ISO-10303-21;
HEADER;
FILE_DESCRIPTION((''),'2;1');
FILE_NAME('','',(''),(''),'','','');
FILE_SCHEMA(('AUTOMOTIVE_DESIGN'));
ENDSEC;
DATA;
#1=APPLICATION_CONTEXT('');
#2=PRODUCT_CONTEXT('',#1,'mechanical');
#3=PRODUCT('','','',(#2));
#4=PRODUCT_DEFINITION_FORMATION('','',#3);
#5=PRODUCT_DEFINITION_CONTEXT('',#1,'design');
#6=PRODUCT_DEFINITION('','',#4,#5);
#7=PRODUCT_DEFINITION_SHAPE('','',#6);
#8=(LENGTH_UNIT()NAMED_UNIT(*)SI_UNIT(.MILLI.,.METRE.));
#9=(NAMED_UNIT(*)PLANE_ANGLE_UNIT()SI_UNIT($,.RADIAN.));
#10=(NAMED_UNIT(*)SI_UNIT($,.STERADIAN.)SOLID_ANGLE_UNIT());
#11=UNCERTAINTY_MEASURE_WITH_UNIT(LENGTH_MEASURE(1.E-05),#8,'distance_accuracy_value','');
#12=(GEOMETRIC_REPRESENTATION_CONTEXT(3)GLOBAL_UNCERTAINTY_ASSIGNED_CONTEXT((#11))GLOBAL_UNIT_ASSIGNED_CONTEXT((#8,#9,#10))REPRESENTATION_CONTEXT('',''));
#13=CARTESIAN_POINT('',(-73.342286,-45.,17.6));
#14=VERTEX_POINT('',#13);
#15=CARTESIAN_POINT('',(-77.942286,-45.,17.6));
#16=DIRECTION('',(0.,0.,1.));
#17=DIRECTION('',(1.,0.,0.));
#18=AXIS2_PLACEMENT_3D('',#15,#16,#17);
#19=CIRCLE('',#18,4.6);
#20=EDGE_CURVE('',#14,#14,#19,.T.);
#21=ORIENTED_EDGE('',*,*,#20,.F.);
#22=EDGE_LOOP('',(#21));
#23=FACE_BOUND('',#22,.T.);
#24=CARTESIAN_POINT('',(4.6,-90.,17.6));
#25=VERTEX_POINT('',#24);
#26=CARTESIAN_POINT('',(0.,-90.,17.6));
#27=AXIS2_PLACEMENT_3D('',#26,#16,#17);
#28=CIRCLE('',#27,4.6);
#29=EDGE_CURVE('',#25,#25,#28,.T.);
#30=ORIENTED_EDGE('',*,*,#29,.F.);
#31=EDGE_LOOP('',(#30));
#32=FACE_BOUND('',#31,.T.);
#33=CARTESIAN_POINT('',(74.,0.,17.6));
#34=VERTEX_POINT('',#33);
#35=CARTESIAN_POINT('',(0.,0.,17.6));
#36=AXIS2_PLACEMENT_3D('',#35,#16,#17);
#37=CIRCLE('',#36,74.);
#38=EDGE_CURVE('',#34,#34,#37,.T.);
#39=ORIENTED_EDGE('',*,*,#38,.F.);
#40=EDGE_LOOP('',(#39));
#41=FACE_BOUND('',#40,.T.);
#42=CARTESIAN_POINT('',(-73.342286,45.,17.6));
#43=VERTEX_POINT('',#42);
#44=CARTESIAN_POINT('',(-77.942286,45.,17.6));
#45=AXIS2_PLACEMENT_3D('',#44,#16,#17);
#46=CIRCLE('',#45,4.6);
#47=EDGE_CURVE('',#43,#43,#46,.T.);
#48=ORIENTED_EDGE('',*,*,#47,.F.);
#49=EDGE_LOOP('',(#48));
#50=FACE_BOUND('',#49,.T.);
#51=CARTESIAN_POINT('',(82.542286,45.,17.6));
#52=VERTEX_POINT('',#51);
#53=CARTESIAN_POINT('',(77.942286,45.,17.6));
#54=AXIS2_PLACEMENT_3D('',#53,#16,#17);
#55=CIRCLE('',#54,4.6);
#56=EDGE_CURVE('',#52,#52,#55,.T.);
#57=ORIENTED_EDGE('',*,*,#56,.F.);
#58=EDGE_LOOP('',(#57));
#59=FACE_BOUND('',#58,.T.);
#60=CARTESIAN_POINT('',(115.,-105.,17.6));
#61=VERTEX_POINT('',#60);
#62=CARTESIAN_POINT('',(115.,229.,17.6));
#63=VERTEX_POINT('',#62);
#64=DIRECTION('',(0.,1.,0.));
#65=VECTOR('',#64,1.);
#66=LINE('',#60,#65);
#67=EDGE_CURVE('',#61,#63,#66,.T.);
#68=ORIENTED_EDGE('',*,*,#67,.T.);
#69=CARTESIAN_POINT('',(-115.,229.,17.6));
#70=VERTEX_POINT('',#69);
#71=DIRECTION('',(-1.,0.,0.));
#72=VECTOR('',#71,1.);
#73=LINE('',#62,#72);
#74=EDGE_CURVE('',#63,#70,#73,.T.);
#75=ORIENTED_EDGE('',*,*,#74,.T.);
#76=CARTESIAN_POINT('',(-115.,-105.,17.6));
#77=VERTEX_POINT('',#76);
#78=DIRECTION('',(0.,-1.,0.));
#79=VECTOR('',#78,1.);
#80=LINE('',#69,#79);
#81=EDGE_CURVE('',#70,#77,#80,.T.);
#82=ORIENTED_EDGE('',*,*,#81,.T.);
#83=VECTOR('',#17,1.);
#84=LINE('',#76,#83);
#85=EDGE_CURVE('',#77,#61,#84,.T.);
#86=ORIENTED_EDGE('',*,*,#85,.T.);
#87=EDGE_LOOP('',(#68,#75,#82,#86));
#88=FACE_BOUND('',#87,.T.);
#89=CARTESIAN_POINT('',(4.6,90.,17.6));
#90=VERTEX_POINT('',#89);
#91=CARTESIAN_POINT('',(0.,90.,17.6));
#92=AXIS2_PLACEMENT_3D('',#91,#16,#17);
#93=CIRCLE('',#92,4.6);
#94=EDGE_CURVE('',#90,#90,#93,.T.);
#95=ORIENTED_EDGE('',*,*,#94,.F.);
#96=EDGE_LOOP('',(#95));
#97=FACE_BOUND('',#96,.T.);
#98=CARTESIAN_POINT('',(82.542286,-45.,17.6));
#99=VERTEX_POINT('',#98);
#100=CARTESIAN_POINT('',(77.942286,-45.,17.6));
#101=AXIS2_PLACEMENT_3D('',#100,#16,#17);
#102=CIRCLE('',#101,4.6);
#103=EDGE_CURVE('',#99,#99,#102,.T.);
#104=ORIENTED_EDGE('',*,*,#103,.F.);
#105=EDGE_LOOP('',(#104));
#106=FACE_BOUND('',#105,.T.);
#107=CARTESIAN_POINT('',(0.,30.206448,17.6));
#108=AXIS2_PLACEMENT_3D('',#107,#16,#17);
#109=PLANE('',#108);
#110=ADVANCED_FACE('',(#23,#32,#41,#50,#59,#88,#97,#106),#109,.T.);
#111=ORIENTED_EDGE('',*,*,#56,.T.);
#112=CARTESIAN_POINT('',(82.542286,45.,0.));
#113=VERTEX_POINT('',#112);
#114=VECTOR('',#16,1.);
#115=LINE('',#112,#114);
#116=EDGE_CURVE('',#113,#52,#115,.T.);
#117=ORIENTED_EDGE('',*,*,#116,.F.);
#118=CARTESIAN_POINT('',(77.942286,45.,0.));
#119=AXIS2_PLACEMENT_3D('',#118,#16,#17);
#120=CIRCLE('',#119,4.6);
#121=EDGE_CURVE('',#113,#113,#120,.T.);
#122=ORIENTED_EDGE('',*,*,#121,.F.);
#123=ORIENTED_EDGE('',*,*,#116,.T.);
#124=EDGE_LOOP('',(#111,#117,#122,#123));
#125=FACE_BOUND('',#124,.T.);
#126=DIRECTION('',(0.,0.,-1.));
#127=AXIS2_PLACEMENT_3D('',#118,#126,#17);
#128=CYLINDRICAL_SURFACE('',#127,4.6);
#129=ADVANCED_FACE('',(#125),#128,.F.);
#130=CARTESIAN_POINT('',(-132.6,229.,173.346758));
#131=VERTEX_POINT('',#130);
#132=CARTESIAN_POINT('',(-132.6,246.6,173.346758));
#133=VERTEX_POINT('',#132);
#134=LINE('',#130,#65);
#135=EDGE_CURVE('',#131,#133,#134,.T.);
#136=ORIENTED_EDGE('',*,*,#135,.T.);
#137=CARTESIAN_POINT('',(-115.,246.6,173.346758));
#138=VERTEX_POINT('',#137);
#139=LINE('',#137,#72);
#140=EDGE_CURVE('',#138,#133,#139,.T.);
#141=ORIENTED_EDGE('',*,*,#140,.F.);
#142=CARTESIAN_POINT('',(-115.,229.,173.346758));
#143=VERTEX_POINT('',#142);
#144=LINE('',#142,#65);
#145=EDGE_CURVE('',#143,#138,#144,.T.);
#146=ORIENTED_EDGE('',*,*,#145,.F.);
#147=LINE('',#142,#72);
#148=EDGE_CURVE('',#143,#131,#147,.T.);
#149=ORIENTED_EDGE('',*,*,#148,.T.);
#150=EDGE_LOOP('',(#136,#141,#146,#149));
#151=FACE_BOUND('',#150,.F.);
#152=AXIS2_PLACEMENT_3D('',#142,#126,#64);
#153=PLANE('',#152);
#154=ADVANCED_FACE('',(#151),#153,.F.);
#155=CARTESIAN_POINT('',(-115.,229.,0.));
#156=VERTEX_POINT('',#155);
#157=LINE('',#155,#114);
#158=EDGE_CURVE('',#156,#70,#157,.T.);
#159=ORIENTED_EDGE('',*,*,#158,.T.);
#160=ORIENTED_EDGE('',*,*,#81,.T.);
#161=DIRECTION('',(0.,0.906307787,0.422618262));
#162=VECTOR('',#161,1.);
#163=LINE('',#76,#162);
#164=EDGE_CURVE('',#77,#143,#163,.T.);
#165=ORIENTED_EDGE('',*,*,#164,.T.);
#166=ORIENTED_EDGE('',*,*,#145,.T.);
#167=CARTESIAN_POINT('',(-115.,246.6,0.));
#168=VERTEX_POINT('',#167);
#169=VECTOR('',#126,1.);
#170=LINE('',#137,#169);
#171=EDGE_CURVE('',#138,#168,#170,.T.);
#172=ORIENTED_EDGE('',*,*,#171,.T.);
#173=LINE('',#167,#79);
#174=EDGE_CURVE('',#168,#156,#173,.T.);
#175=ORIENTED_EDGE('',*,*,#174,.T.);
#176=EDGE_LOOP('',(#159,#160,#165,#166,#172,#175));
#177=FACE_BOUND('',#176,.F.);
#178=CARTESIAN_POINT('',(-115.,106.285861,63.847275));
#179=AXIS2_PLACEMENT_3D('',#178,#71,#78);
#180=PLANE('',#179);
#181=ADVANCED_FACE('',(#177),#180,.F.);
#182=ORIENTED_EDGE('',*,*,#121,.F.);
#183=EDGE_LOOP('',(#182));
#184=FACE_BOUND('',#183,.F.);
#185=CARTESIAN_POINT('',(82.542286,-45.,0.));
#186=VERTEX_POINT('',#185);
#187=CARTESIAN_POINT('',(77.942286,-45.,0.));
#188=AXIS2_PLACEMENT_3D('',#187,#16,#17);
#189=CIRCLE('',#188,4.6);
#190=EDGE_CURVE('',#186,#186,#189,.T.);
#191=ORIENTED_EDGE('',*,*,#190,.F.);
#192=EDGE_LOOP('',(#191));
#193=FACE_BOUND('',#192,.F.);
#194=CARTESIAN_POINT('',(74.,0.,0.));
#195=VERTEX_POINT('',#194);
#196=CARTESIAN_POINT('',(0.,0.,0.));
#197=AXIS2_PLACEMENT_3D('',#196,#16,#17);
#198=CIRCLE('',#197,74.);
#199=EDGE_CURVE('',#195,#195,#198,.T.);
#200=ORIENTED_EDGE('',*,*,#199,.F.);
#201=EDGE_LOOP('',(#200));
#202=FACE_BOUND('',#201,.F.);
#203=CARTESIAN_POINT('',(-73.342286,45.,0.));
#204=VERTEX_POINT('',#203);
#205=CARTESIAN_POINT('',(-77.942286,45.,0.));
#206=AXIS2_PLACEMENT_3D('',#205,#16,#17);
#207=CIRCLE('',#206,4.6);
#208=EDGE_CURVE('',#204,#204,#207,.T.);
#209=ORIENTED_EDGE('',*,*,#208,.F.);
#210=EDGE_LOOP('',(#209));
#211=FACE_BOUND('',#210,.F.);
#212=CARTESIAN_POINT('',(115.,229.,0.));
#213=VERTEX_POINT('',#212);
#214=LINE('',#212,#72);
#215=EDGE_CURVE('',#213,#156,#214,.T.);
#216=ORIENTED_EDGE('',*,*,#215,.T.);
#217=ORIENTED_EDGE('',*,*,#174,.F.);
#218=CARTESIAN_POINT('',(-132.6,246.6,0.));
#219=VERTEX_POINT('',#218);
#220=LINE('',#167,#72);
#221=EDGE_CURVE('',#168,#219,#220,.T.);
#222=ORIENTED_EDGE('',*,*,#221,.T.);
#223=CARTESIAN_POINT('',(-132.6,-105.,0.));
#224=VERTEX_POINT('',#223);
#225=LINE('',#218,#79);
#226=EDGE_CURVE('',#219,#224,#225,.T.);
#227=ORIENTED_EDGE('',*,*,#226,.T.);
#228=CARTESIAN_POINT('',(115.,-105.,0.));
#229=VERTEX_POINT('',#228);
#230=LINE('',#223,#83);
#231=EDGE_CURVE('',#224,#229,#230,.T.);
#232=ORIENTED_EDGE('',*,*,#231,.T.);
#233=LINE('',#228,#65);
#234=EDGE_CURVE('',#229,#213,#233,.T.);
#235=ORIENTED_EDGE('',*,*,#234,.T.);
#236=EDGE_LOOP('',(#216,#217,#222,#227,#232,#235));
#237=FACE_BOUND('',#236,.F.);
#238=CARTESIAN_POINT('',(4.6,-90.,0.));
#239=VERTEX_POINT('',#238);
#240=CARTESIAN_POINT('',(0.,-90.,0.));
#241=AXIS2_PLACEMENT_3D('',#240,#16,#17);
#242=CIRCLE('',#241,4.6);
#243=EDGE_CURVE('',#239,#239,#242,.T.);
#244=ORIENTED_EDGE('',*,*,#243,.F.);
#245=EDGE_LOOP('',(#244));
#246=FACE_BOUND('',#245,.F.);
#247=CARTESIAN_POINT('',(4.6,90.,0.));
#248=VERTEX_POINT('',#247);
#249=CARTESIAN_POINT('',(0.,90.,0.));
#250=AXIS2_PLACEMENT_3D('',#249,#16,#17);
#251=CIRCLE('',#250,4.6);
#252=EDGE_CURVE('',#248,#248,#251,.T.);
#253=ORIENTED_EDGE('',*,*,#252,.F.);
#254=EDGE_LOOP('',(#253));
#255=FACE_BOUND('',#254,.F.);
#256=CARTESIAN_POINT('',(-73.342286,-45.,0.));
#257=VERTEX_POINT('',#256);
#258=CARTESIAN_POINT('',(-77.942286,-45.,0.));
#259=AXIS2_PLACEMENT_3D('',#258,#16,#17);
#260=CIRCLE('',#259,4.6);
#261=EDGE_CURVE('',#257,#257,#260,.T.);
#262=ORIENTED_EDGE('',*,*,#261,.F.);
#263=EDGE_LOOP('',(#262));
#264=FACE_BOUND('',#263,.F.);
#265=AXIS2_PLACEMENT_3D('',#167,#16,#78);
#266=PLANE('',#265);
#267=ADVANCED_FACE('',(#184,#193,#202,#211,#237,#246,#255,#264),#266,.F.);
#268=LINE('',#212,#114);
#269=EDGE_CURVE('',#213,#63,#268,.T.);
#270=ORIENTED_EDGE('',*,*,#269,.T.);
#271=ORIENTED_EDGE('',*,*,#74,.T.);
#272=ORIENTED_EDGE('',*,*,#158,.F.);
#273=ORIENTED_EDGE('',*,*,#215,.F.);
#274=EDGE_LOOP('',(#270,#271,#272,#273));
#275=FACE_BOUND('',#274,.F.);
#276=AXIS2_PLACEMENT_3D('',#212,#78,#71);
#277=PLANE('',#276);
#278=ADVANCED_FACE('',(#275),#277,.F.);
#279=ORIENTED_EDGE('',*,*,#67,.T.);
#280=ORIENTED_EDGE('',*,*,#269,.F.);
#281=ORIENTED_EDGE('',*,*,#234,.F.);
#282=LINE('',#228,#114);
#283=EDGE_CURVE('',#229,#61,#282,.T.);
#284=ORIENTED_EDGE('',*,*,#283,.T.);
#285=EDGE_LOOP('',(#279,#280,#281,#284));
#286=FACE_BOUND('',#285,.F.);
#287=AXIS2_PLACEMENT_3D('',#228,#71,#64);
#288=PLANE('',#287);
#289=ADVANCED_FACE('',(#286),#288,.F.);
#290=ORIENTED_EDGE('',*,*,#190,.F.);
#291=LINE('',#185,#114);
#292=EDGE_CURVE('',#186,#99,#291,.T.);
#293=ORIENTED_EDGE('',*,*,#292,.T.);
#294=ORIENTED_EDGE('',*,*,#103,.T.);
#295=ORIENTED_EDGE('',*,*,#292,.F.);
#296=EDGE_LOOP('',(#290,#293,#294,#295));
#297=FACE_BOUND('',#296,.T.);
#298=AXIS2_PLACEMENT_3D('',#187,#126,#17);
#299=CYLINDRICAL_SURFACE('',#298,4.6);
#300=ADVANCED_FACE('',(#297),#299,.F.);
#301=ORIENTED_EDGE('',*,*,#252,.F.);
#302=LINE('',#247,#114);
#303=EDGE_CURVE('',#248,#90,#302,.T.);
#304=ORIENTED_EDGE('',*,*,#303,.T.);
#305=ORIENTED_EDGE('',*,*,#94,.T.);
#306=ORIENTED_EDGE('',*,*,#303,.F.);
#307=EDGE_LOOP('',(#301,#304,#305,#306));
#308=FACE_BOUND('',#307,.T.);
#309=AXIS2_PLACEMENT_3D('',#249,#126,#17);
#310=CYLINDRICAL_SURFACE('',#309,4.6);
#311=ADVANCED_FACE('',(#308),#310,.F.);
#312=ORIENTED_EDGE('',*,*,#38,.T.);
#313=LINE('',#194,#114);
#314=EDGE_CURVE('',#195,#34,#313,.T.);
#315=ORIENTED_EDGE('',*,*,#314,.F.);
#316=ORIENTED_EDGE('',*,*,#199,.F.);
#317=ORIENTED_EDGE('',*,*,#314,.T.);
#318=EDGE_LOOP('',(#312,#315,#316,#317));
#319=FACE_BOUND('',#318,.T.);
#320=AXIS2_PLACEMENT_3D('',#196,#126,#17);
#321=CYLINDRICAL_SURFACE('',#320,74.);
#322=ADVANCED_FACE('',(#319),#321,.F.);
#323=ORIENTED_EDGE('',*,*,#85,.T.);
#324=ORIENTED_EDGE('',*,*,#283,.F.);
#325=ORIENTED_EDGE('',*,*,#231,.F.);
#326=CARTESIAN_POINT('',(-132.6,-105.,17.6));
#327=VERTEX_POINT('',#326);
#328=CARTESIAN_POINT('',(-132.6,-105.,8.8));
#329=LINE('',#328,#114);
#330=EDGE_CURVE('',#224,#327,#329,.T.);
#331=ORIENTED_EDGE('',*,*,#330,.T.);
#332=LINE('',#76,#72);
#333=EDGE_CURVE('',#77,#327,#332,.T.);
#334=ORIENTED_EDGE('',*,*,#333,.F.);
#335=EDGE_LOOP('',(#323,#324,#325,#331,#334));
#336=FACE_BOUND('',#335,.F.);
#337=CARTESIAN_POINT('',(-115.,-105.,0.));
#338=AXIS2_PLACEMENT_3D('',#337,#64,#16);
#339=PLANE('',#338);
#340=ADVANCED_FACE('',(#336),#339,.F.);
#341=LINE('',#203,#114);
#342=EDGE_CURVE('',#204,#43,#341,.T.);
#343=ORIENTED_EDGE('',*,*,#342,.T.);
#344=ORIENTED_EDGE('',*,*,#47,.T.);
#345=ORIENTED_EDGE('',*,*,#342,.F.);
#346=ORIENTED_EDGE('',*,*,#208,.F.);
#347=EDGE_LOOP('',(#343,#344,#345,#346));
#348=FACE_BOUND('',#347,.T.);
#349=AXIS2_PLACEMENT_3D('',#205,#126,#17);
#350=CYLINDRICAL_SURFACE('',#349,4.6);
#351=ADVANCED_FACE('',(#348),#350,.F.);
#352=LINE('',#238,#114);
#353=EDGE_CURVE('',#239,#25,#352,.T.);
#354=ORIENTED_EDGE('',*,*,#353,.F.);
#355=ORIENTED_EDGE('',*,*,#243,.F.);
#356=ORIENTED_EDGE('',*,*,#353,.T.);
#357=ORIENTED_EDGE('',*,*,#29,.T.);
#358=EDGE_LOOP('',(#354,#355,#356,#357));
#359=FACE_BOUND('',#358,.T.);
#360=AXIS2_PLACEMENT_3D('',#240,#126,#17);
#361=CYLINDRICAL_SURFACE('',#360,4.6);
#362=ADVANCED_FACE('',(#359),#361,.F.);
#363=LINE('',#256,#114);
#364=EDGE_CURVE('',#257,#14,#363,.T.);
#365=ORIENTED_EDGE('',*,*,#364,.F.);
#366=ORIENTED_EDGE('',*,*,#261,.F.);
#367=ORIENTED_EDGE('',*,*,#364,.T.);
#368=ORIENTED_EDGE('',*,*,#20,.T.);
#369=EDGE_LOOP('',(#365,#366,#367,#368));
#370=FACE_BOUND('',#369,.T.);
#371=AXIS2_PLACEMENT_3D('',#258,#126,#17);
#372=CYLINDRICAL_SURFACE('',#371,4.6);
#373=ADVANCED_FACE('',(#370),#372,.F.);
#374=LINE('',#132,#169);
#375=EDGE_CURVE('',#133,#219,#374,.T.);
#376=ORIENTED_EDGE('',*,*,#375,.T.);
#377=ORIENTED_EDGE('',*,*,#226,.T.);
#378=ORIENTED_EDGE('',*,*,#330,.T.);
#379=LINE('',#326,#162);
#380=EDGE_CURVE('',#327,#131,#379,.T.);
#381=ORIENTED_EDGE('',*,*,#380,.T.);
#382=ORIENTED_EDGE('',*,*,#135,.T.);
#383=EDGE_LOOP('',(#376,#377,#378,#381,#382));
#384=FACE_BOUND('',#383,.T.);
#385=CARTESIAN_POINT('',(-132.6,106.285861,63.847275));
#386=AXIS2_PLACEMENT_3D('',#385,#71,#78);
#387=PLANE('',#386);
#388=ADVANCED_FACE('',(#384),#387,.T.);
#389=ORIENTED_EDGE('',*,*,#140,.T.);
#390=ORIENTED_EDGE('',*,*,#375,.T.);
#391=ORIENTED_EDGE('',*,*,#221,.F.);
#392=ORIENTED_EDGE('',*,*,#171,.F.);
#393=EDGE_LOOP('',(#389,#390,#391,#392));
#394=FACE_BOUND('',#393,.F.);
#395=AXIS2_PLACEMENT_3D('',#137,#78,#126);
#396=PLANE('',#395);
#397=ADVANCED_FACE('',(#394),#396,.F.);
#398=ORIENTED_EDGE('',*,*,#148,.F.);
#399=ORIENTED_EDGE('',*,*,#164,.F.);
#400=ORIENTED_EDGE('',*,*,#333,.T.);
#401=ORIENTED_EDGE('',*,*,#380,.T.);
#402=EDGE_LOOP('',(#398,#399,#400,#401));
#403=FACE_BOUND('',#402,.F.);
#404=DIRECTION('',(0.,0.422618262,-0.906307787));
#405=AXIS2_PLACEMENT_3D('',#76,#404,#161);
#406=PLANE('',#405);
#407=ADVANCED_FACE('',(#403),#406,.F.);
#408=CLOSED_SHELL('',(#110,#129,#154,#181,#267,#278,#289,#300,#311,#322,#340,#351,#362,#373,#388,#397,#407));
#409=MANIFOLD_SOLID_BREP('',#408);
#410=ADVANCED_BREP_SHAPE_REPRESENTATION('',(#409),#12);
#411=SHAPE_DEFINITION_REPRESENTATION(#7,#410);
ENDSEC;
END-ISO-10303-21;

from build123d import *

# Parameters (mm, degrees)
F1_R     = 4.6
F1_R_2   = 74
F2_DEPTH = 17.6
F3_W     = 334
F3_H     = 17.6
F4_DEPTH = 17.6


with BuildPart() as f2:
    # F1 (on Top) → F2 (new body)
    with BuildSketch(Plane.XY):
        with BuildLine():
            ThreePointArc((115, 149.986666074), (0, 189), (-115, 149.986666074))
            Line((-115, 149.986666074), (-115, -105))
            Line((-115, -105), (1.932e-07, -105))
            Line((1.932e-07, -105), (115, -105))
            Line((115, -105), (115, 149.986666074))
        make_face()
        with BuildLine():
            ThreePointArc((105, 0), (74.2462120929, -74.2462119563), (1.932e-07, -105))
            ThreePointArc((1.932e-07, -105), (-74.2462120929, 74.2462119563), (105, 0))
        make_face(mode=Mode.SUBTRACT)
        with BuildLine():
            Line((115, 229), (-115, 229))
            Line((-115, 229), (-115, 149.986666074))
            ThreePointArc((-115, 149.986666074), (0, 189), (115, 149.986666074))
            Line((115, 149.986666074), (115, 229))
        make_face()
        with BuildLine():
            ThreePointArc((105, 0), (-74.2462120929, 74.2462119563), (1.932e-07, -105))
            ThreePointArc((1.932e-07, -105), (74.2462120929, -74.2462119563), (105, 0))
        make_face()
        with Locations((-77.9422863406, -45)):
            Circle(F1_R, mode=Mode.SUBTRACT)
        with Locations((0, -90)):
            Circle(F1_R, mode=Mode.SUBTRACT)
        with Locations((77.9422863406, -45)):
            Circle(F1_R, mode=Mode.SUBTRACT)
        Circle(F1_R_2, mode=Mode.SUBTRACT)
        with Locations((-77.9422863406, 45)):
            Circle(F1_R, mode=Mode.SUBTRACT)
        with Locations((77.9422863406, 45)):
            Circle(F1_R, mode=Mode.SUBTRACT)
        with Locations((0, 90)):
            Circle(F1_R, mode=Mode.SUBTRACT)
    extrude(amount=F2_DEPTH)

    # F3 (on face) → F4 (join)
    with BuildSketch(Plane(origin=(-115, 0, 0), x_dir=(0, -1, 0), z_dir=(-1, 0, 0))):
        Polygon((-229, 17.6), (105, 17.6), (-229, 173.3467578238), (-246.6, 173.3467578238), (-246.6, 0), (-229, 0), align=None)
        with Locations((-62, 8.8)):
            Rectangle(F3_W, F3_H)
    extrude(amount=F4_DEPTH)


solid = f2.part
